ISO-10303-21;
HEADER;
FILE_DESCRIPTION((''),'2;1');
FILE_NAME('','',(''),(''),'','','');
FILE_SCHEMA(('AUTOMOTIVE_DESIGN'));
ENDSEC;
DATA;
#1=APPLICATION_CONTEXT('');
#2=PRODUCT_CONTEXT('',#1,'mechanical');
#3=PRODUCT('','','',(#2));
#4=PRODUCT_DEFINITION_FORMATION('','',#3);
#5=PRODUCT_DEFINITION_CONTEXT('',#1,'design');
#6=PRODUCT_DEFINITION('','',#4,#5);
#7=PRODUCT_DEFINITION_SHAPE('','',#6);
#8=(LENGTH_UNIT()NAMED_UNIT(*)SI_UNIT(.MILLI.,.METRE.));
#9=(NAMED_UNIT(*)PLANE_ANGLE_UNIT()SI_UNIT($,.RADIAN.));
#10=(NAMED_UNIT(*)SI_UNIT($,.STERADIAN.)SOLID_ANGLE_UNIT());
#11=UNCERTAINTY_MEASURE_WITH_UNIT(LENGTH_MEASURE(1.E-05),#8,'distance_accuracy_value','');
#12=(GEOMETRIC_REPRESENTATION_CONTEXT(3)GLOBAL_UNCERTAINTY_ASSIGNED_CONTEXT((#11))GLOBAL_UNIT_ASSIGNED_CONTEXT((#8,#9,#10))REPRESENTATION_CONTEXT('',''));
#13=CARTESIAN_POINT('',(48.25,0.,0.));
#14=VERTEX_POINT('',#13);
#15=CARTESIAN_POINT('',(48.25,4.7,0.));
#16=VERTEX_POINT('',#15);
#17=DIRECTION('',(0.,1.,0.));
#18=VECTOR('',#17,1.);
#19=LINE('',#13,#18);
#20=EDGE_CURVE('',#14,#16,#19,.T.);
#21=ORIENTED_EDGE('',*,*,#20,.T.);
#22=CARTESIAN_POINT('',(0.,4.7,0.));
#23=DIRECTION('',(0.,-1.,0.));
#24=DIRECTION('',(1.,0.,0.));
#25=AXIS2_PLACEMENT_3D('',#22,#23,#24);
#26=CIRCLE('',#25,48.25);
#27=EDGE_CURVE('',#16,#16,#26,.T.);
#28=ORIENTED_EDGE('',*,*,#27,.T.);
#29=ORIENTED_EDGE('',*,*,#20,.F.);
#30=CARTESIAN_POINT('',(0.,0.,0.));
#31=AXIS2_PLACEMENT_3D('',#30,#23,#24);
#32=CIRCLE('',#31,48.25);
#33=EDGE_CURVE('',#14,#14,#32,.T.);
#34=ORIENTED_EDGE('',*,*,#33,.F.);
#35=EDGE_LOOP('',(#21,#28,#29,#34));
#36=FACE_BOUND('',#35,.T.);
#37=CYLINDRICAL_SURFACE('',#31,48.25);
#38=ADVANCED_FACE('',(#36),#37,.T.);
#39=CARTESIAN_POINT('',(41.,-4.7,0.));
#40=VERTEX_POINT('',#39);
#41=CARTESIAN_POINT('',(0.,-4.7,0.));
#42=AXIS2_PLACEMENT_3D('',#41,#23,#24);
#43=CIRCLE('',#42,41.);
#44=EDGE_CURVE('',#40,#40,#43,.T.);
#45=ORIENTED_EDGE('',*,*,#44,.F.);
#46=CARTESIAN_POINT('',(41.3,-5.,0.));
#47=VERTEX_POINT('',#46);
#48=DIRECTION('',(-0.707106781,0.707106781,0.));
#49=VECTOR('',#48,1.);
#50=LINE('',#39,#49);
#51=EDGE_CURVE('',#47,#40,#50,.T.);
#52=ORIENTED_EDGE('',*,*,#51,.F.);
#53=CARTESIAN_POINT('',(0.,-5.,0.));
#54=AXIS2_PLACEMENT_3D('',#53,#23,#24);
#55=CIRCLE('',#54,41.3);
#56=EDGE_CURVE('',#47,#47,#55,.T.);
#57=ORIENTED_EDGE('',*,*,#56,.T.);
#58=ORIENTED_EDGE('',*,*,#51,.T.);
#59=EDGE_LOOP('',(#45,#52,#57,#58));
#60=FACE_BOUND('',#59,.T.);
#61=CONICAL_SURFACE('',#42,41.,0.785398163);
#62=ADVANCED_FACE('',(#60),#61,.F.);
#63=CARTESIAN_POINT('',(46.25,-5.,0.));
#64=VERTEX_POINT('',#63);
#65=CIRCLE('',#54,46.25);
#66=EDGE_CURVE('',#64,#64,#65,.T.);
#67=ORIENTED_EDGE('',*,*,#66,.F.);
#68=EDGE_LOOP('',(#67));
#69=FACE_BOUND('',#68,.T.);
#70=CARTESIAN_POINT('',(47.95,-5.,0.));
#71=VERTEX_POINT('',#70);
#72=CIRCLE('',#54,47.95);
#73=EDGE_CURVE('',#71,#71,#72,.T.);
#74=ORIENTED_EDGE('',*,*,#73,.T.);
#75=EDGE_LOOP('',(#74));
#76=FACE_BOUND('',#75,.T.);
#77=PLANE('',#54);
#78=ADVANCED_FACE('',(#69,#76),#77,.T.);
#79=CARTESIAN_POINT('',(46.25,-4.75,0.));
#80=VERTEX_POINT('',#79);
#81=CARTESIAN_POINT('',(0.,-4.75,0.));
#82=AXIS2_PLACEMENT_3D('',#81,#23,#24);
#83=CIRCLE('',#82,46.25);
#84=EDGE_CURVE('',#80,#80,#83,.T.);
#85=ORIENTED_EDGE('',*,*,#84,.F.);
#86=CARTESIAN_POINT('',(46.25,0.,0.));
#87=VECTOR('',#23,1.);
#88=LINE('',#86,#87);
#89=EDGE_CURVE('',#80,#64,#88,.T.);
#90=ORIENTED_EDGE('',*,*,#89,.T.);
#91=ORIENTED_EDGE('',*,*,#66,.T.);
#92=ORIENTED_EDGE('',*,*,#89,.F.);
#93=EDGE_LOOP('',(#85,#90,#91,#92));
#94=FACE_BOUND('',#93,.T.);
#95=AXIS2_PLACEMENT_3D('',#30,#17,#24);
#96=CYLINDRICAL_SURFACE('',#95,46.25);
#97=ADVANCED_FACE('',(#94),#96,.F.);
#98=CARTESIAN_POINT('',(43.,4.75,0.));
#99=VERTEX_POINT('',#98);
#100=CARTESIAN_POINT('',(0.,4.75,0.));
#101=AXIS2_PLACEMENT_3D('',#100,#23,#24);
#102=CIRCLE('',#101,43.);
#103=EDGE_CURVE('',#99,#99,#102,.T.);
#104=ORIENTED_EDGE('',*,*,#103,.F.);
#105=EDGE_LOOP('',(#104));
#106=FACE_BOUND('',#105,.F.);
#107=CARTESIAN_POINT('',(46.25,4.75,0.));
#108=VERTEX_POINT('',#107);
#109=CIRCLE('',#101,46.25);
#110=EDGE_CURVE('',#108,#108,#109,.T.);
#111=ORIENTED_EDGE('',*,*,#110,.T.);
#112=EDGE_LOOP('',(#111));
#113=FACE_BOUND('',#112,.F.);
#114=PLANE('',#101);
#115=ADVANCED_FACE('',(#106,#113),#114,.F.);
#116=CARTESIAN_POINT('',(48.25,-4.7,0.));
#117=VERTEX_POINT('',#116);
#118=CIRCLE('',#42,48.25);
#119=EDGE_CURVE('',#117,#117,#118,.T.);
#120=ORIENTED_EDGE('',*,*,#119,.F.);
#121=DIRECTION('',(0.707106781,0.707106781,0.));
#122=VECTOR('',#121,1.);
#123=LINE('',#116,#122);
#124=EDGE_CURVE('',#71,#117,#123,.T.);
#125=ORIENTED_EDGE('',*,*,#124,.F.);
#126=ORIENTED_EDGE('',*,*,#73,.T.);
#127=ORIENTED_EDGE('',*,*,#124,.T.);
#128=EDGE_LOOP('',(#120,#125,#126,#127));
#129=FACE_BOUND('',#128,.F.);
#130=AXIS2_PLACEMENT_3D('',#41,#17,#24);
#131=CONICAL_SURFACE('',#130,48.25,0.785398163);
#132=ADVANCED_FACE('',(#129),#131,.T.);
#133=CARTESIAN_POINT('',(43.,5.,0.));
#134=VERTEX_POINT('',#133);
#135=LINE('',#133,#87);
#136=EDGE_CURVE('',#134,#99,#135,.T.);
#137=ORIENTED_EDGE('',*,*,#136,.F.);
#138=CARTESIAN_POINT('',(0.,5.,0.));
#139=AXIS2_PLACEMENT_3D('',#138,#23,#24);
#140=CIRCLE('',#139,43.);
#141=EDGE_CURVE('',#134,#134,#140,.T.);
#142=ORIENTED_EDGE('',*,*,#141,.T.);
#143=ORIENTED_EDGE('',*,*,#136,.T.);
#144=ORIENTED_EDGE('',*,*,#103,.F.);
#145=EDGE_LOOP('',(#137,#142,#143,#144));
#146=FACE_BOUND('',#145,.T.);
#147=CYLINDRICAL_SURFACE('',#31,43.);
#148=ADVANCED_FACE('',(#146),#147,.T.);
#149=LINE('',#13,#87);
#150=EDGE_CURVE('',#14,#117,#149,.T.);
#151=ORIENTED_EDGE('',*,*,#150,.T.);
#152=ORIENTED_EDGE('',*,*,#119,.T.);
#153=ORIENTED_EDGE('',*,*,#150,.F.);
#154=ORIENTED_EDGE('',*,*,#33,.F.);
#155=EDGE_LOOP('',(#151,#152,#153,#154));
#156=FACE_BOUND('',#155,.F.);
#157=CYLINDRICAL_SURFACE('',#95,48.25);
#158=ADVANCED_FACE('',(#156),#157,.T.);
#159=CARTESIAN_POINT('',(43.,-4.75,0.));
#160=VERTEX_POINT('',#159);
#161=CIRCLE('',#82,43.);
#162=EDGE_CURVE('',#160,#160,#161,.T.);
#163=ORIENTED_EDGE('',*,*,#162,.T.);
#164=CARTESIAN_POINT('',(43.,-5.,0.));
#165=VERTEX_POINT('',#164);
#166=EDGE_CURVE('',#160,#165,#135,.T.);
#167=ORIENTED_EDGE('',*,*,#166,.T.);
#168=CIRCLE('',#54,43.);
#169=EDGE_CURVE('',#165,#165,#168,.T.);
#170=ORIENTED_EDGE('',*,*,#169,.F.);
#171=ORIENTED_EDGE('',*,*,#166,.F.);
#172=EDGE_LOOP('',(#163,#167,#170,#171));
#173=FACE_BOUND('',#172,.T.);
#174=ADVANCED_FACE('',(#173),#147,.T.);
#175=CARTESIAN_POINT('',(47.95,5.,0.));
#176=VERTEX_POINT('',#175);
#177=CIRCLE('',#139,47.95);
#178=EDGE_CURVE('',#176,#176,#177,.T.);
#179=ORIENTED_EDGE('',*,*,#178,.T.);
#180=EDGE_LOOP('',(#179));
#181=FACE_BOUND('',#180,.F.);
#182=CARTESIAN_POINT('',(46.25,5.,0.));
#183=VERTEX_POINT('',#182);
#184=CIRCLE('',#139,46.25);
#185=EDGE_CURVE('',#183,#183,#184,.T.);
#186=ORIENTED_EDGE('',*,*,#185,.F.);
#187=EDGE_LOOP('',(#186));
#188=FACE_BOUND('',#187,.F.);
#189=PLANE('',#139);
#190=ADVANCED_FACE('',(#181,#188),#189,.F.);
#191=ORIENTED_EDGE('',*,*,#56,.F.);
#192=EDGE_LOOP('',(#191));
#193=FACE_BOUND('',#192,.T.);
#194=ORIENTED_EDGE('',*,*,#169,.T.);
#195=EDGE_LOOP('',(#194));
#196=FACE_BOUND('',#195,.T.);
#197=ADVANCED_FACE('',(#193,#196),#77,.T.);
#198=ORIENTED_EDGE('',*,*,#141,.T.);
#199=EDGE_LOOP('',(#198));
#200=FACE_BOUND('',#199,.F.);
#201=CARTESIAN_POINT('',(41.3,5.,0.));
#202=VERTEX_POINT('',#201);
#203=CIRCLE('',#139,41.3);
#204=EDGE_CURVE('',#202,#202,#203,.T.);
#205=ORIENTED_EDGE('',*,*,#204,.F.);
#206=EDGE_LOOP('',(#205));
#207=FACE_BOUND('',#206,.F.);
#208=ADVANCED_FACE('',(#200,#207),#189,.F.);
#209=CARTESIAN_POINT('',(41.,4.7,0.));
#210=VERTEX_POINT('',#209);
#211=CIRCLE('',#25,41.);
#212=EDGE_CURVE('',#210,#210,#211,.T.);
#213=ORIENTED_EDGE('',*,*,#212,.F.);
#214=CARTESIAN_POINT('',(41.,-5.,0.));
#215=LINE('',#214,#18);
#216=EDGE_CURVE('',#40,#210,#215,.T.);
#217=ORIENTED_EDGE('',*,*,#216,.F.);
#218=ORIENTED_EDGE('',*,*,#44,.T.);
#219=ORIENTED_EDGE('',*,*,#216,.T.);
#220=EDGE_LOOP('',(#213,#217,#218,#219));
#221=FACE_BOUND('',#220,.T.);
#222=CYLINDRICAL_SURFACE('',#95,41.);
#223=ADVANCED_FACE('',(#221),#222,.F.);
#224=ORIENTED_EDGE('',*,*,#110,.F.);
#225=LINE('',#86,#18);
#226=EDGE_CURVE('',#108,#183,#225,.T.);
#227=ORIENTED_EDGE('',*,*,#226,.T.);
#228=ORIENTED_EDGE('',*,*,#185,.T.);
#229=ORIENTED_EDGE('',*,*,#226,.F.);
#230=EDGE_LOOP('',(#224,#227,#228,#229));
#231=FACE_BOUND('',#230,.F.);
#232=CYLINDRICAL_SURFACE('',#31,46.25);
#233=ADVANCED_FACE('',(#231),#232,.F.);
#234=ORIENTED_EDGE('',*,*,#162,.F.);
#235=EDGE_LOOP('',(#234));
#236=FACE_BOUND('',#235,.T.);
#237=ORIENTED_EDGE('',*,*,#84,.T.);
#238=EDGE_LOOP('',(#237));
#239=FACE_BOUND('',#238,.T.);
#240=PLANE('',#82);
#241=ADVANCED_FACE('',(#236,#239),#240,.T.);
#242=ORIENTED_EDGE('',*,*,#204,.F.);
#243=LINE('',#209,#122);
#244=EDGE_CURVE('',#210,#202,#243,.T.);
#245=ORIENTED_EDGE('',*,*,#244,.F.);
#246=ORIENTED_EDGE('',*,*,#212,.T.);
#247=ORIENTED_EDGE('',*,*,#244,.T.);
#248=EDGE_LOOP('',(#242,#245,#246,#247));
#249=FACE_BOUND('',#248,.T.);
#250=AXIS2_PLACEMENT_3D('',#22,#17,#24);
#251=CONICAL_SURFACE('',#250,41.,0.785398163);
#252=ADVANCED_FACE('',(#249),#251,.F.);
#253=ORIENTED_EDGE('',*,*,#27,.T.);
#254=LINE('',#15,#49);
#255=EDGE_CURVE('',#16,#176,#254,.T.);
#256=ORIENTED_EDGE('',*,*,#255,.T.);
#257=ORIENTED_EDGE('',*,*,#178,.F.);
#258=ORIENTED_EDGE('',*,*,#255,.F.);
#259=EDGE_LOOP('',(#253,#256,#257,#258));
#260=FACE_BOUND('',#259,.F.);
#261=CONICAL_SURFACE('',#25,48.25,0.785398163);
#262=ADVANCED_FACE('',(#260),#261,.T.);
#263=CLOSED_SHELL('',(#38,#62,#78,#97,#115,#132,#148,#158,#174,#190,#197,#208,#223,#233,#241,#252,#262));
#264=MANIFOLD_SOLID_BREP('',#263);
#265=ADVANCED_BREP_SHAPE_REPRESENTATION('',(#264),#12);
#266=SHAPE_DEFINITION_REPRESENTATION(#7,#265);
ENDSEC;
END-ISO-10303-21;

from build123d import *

# Parameters (mm, degrees)
F0_R     = 48.25
F0_R_2   = 46.25
F0_R_3   = 43
F0_R_4   = 41
F1_DEPTH = 5
F2_DEPTH = 4.75
F3_SIZE  = 0.3


with BuildPart() as f1:
    # F0 (on Front) → F1 (new body, symmetric)
    with BuildSketch(Plane.XZ):
        Circle(F0_R)
        Circle(F0_R_2, mode=Mode.SUBTRACT)
        Circle(F0_R_3)
        Circle(F0_R_4, mode=Mode.SUBTRACT)
    extrude(amount=F1_DEPTH, both=True)

    # F0 (on Front) → F2 (join, symmetric)
    with BuildSketch(Plane.XZ):
        Circle(F0_R_2)
        Circle(F0_R_3, mode=Mode.SUBTRACT)
    extrude(amount=F2_DEPTH, both=True)

    # F3
    f3_edges = [f1.edges().sort_by_distance(p)[0] for p in [
        (-48.25, 5, 0),
        (48.25, 0, 0),
        (-48.25, -5, 0),
        (-41, -5, 0),
        (41, 0, 0),
        (-41, 5, 0),
    ]]
    chamfer(f3_edges, length=F3_SIZE)


solid = f1.part
